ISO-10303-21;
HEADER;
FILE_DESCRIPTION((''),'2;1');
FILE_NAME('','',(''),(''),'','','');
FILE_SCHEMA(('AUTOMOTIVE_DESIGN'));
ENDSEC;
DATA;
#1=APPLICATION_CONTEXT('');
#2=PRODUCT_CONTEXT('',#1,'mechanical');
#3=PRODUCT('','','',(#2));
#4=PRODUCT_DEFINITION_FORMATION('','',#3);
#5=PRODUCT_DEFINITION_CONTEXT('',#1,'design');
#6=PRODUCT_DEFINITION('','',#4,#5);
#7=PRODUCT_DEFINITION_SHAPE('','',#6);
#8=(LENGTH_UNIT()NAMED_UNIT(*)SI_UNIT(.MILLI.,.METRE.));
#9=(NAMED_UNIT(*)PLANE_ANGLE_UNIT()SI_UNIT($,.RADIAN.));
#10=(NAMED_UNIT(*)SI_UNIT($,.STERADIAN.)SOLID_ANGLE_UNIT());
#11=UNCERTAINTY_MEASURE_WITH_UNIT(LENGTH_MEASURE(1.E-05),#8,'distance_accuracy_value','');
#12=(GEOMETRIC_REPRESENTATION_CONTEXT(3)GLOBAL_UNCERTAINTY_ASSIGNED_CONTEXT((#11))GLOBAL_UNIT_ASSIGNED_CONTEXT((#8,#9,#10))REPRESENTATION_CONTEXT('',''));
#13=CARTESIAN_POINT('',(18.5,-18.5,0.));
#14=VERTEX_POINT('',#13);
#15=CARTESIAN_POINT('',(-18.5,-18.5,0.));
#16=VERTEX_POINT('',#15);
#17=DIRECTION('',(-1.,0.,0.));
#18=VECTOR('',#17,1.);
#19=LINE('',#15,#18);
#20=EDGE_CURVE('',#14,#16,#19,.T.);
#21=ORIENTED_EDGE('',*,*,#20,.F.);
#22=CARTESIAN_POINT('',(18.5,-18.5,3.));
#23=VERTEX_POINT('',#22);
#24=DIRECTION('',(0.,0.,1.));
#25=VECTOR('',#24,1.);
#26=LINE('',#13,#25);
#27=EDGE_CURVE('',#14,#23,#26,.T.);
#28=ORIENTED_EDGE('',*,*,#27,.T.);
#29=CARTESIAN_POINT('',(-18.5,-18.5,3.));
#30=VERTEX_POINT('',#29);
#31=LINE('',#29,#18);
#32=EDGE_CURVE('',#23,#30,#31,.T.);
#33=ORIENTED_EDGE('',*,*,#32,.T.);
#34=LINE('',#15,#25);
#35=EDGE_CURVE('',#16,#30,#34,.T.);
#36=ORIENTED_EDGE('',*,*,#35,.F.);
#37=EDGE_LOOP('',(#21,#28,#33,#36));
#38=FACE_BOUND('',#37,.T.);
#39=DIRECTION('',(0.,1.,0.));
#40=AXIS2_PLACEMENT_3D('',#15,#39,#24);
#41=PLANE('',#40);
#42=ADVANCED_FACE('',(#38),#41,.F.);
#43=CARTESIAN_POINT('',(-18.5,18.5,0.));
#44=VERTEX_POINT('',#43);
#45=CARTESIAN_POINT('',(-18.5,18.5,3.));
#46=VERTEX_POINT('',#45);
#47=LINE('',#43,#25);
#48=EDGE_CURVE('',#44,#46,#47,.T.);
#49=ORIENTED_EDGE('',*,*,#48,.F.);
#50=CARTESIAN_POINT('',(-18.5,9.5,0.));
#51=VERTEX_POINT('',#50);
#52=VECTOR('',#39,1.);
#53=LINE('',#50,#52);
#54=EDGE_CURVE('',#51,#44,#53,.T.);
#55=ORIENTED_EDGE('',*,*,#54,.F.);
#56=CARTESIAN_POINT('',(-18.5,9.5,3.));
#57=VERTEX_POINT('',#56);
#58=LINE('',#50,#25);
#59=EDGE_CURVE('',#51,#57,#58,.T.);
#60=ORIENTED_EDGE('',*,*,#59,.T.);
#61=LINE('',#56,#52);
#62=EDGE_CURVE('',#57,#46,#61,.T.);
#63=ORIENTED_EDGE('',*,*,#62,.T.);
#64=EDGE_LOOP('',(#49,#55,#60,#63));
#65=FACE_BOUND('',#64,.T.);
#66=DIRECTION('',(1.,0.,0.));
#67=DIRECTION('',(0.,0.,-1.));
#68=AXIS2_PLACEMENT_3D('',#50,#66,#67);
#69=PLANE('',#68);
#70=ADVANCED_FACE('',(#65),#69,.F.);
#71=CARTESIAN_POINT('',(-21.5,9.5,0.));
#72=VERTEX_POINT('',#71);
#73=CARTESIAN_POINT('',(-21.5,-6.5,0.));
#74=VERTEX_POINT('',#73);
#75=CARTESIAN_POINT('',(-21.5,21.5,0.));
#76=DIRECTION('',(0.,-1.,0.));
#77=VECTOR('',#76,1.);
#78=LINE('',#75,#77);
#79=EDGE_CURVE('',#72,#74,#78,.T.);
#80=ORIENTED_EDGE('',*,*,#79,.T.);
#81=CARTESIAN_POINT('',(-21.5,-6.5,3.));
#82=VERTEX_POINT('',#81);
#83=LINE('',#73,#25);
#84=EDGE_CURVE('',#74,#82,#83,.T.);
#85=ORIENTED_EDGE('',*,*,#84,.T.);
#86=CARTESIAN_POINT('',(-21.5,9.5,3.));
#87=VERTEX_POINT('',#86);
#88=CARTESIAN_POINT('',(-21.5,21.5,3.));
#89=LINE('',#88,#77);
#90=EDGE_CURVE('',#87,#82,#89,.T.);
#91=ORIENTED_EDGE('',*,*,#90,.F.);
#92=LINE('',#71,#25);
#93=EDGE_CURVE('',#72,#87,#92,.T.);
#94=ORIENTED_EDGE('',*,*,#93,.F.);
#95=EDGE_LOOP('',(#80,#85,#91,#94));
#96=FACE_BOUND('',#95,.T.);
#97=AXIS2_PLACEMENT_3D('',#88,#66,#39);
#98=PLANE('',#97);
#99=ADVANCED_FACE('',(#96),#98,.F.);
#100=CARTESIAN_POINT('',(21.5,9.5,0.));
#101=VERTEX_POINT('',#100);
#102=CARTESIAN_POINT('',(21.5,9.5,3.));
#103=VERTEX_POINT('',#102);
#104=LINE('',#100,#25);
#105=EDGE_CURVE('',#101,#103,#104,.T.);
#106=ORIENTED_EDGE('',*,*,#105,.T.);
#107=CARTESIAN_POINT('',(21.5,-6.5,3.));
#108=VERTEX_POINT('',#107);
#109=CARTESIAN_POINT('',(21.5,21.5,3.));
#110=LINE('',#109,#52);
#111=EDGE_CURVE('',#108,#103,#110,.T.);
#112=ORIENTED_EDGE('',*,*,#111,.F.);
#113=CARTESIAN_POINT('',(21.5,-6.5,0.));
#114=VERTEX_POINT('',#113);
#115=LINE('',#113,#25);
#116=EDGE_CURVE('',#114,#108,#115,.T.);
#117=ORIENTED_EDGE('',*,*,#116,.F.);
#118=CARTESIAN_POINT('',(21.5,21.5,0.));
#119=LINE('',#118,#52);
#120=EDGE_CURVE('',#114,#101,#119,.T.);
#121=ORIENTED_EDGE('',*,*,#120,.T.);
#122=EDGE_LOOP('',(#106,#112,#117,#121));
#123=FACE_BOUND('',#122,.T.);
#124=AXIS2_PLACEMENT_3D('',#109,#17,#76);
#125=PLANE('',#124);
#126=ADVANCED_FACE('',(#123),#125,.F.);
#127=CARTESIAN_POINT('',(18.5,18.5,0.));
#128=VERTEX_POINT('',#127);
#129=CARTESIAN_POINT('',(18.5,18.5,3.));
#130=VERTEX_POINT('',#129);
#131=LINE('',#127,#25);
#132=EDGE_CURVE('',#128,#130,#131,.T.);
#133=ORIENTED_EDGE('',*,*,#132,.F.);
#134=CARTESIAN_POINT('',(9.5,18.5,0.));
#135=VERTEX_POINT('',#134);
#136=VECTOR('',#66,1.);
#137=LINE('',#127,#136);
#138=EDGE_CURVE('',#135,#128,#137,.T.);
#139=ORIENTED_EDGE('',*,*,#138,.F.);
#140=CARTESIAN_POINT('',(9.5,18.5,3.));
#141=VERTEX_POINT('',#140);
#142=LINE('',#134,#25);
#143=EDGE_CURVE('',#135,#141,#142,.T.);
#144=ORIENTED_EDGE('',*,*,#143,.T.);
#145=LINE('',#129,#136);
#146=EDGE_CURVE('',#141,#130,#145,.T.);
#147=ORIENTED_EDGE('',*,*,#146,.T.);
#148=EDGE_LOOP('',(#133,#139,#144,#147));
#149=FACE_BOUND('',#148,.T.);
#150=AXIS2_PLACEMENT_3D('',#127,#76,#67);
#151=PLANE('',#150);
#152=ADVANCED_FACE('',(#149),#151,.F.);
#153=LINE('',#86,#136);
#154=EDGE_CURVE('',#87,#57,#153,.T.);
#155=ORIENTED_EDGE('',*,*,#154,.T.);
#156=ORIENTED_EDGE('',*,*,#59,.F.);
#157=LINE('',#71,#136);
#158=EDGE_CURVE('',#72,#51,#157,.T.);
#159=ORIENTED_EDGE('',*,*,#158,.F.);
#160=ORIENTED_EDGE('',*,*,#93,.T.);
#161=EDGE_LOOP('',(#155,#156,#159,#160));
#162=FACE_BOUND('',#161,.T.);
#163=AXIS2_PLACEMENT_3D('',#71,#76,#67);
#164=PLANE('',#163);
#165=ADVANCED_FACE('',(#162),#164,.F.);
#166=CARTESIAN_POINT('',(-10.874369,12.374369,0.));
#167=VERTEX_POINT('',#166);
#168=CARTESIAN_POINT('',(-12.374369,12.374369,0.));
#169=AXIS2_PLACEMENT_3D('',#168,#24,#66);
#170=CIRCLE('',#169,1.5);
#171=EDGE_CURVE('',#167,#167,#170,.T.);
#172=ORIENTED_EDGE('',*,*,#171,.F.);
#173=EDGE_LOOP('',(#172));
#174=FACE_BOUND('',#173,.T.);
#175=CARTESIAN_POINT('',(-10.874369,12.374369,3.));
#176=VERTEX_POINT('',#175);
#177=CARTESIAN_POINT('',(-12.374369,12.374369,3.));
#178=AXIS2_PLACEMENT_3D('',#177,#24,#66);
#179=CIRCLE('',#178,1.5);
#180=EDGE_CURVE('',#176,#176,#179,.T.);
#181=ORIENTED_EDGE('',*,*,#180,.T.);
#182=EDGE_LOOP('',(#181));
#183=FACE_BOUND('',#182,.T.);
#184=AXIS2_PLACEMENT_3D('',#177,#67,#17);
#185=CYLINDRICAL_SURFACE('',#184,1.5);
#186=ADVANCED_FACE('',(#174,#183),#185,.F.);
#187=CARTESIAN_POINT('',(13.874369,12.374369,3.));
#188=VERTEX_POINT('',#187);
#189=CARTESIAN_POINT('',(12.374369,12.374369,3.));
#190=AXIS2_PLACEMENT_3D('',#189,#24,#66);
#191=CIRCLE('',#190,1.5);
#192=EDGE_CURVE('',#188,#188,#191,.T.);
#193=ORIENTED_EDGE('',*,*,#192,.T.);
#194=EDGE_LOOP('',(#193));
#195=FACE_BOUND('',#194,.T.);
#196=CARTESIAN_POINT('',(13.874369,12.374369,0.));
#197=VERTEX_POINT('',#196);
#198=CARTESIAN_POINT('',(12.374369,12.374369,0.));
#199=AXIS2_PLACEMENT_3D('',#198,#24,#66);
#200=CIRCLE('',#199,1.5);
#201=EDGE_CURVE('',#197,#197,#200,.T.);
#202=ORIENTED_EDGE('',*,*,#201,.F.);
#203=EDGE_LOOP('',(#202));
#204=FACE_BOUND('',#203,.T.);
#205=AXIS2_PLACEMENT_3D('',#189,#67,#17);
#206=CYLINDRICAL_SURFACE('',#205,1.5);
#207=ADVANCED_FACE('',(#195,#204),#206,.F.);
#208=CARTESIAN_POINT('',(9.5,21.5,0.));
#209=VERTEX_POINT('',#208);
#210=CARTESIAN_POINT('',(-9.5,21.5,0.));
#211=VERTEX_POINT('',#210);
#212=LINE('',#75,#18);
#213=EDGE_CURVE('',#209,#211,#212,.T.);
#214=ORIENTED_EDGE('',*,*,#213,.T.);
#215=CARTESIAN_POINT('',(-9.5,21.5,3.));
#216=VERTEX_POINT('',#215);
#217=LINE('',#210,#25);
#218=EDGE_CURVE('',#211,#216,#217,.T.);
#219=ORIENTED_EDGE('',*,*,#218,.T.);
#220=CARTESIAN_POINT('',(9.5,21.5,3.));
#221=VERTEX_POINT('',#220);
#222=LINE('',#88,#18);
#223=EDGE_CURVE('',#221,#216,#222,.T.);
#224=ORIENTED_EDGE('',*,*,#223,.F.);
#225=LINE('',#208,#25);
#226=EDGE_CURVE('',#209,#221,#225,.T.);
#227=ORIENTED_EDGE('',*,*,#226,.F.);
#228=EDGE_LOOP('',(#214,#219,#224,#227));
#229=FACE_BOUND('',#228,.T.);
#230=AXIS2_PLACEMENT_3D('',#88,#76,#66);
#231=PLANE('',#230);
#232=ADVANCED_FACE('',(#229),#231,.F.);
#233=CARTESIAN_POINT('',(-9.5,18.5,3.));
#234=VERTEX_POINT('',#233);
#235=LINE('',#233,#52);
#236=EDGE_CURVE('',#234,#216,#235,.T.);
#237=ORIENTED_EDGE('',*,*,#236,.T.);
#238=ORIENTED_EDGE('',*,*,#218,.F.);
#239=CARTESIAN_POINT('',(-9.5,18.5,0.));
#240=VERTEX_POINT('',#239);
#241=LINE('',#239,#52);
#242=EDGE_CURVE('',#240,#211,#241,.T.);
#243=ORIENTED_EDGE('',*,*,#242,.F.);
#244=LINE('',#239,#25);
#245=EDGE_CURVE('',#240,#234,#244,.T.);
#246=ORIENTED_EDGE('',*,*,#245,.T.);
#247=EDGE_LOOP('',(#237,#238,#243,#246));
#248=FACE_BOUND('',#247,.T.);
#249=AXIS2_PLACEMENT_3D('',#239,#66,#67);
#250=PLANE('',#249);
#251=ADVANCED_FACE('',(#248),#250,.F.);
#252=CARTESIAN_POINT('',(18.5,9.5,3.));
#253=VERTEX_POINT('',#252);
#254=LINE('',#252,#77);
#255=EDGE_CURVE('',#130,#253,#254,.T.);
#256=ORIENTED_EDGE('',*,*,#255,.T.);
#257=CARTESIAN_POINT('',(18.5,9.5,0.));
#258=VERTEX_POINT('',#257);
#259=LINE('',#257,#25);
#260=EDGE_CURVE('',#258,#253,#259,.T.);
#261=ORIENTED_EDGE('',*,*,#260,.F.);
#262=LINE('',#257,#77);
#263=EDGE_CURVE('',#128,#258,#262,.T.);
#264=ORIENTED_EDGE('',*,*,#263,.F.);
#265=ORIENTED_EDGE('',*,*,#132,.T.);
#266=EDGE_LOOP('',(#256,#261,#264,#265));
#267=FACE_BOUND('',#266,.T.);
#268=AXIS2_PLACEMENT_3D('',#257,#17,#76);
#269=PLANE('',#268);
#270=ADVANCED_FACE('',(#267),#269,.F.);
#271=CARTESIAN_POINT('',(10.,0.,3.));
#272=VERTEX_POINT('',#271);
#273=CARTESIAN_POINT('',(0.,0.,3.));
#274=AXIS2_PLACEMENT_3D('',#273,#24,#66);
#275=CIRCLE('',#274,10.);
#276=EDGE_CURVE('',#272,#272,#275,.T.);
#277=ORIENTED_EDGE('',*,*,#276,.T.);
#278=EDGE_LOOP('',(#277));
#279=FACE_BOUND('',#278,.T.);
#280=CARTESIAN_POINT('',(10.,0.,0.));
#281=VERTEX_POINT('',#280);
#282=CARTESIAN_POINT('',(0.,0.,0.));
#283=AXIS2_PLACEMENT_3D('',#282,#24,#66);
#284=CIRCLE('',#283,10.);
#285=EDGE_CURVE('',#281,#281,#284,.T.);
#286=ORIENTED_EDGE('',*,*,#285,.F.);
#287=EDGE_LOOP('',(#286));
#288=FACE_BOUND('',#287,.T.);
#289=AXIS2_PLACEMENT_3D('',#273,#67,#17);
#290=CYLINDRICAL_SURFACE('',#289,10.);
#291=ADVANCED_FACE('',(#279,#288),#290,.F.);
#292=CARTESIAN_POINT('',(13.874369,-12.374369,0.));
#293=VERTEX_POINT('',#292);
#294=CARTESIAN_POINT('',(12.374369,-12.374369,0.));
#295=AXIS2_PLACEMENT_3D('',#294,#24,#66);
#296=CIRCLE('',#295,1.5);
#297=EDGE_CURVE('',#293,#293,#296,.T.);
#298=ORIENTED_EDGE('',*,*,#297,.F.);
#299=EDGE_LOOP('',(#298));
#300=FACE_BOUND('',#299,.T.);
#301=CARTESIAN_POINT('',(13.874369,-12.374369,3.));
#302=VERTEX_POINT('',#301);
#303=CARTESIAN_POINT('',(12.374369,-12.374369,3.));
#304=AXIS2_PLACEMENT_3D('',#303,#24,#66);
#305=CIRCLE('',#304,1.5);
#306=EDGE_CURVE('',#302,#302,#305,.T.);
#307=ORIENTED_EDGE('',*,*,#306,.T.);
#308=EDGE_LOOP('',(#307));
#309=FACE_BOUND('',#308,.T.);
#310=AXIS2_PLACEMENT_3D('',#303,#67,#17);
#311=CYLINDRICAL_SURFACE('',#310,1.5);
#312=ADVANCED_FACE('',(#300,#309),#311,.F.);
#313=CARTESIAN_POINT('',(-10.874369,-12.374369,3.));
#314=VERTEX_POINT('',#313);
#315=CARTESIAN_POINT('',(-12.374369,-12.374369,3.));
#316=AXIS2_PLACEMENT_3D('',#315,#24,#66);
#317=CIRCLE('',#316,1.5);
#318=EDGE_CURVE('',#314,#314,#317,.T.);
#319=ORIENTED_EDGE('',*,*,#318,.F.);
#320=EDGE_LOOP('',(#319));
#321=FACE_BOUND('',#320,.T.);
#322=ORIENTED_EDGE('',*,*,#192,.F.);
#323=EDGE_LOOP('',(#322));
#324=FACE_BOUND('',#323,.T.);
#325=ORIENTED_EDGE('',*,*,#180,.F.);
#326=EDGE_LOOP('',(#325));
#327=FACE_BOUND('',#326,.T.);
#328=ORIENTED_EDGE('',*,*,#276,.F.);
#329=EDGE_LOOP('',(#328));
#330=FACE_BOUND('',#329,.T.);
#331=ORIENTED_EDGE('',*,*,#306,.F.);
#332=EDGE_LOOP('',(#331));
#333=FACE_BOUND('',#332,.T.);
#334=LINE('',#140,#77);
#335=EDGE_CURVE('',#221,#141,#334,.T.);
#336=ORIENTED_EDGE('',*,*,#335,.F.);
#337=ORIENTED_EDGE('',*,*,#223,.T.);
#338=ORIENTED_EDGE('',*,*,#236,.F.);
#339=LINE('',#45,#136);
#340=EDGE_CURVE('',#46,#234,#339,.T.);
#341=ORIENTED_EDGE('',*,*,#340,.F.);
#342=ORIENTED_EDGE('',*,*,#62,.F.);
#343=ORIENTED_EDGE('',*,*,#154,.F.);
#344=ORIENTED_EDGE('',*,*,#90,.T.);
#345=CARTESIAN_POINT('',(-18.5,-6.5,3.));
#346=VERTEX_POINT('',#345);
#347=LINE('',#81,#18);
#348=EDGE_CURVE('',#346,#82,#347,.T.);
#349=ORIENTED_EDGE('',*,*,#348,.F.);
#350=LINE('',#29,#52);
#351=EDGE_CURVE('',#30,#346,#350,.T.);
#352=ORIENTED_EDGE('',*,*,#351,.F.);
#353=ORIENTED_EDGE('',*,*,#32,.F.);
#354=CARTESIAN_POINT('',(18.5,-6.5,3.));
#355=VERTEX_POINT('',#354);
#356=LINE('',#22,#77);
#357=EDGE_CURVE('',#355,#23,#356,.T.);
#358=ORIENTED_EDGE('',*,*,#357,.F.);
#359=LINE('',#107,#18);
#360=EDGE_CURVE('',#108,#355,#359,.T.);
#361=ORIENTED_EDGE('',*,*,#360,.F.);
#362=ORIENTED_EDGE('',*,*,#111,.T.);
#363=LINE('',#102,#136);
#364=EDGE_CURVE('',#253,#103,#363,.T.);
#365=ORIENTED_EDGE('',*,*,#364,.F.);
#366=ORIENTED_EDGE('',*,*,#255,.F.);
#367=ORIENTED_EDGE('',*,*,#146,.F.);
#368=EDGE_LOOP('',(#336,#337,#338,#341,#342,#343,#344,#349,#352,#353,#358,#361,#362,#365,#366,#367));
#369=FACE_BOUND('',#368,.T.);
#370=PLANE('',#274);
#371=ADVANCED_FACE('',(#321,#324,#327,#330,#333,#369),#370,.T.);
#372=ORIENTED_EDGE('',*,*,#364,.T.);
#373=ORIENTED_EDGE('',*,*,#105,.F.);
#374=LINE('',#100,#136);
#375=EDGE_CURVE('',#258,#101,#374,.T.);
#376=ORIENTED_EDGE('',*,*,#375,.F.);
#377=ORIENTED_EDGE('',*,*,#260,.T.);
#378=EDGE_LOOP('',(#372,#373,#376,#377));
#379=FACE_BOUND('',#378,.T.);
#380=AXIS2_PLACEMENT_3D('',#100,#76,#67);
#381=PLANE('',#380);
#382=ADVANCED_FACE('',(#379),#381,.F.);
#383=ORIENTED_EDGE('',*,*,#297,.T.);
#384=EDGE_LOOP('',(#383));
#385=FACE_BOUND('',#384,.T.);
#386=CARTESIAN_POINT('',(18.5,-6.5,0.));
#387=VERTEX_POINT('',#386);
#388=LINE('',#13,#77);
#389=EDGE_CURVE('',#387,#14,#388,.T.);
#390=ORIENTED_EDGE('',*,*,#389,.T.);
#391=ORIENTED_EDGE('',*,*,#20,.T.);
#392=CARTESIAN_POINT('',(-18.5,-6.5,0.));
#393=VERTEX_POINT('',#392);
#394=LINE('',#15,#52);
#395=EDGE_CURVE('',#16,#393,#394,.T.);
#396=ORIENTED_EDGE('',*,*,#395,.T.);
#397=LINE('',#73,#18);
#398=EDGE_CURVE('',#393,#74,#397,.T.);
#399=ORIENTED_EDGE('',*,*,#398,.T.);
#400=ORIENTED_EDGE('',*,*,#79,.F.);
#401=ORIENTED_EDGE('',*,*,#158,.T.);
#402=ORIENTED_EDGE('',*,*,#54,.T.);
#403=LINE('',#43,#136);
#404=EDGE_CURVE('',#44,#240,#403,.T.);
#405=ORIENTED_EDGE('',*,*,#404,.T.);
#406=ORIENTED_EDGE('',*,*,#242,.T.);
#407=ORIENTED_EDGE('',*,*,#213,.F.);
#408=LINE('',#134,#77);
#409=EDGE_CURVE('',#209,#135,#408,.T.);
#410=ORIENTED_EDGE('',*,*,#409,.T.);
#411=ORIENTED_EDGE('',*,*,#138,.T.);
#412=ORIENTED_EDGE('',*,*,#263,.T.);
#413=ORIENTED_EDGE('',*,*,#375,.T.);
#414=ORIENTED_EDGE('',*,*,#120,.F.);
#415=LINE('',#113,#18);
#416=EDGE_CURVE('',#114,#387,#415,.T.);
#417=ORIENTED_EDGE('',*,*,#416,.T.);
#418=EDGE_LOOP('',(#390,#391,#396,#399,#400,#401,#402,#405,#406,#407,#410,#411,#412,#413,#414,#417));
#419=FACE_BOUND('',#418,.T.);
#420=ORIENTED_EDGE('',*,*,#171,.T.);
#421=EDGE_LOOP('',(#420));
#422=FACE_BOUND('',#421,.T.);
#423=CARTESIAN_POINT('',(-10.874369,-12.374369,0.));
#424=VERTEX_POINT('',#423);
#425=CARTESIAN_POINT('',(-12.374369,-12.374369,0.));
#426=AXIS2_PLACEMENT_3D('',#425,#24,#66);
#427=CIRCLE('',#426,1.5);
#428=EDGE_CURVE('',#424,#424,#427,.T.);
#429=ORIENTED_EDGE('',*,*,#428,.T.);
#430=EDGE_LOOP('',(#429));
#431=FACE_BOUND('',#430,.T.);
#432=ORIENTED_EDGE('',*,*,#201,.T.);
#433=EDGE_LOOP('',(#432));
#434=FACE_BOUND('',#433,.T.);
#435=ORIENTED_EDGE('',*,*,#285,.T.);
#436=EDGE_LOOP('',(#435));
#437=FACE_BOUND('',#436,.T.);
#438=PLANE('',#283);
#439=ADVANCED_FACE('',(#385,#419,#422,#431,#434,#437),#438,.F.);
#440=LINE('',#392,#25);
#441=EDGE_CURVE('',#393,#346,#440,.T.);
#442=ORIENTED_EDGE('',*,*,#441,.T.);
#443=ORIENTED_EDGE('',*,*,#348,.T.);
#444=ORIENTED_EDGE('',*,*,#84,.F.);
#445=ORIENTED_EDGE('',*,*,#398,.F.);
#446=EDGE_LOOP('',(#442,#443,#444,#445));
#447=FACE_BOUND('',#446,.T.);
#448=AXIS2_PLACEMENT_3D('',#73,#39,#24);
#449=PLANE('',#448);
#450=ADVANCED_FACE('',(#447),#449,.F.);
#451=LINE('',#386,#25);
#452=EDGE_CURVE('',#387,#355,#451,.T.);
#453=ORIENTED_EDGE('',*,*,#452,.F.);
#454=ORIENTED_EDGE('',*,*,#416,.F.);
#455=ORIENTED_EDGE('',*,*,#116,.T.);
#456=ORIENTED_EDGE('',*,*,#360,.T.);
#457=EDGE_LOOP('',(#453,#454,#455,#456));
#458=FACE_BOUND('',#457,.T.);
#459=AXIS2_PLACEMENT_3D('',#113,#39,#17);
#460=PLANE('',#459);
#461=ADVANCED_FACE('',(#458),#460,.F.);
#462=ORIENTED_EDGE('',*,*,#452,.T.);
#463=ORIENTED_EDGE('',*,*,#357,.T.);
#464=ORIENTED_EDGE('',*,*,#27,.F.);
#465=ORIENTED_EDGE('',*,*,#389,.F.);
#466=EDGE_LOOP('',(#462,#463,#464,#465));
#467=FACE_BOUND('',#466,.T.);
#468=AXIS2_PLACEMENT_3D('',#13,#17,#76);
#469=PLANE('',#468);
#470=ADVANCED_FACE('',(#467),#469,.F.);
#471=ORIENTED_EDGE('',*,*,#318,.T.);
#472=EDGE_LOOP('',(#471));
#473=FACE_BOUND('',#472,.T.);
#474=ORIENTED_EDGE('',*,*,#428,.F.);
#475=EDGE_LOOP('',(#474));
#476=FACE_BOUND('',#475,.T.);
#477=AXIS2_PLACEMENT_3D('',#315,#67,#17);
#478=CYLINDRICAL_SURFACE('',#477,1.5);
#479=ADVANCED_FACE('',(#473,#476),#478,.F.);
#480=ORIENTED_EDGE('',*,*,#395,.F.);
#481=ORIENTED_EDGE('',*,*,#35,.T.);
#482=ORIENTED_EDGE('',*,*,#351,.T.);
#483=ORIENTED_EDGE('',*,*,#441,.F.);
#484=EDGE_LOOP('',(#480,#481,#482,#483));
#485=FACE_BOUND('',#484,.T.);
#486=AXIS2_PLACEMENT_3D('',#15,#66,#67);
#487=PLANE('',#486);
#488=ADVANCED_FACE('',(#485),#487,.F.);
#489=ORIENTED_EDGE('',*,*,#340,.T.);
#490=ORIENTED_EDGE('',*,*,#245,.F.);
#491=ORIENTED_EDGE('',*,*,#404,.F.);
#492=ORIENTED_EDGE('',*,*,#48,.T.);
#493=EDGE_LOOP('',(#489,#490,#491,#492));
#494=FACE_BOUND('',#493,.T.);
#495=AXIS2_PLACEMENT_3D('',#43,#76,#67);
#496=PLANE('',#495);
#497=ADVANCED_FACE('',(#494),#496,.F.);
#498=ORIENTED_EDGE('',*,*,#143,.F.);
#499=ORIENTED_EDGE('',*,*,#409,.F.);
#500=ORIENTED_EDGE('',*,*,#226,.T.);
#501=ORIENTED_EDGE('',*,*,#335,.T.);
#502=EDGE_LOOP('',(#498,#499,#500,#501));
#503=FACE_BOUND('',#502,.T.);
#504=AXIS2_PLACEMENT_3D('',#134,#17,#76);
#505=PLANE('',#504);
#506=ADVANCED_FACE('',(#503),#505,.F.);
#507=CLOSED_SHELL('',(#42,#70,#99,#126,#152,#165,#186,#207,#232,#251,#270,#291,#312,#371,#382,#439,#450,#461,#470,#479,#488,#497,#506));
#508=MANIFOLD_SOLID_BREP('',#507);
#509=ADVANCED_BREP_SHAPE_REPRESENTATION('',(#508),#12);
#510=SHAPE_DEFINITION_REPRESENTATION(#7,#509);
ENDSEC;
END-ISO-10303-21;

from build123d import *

# Parameters (mm, degrees)
SKETCH1_W           = 43
SKETCH1_H           = 43
SKETCH1_R           = 1.5
SKETCH1_R_2         = 10
BOSS_EXTRUDE1_DEPTH = 3
CUT_EXTRUDE1_DEPTH  = 3


with BuildPart() as part:
    # Sketch1 → Boss-Extrude1 (new body)
    with BuildSketch(Plane.XY):
        Rectangle(SKETCH1_W, SKETCH1_H)
        with Locations((-12.374368671, 12.374368671)):
            Circle(SKETCH1_R, mode=Mode.SUBTRACT)
        with Locations((12.374368671, -12.374368671)):
            Circle(SKETCH1_R, mode=Mode.SUBTRACT)
        with Locations((12.374368671, 12.374368671)):
            Circle(SKETCH1_R, mode=Mode.SUBTRACT)
        with Locations((-12.374368671, -12.374368671)):
            Circle(SKETCH1_R, mode=Mode.SUBTRACT)
        Circle(SKETCH1_R_2, mode=Mode.SUBTRACT)
    extrude(amount=BOSS_EXTRUDE1_DEPTH)

    # Sketch2 → Cut-Extrude1 (cut)
    with BuildSketch(Plane.XY.offset(3)):
        Polygon((-21.5, -21.5), (21.5, -21.5), (21.5, -18.5), (21.5, -6.5), (18.5, -6.5), (18.5, -18.5), (-18.5, -18.5), (-18.5, -6.5), (-21.5, -6.5), (-21.5, -18.5), align=None)
        Polygon((-21.5, 9.5), (-18.5, 9.5), (-18.5, 18.5), (-9.5, 18.5), (-9.5, 21.5), (-21.5, 21.5), align=None)
        Polygon((21.5, 9.5), (21.5, 21.5), (9.5, 21.5), (9.5, 18.5), (18.5, 18.5), (18.5, 9.5), align=None)
    extrude(amount=-CUT_EXTRUDE1_DEPTH, mode=Mode.SUBTRACT)


solid = part.part
